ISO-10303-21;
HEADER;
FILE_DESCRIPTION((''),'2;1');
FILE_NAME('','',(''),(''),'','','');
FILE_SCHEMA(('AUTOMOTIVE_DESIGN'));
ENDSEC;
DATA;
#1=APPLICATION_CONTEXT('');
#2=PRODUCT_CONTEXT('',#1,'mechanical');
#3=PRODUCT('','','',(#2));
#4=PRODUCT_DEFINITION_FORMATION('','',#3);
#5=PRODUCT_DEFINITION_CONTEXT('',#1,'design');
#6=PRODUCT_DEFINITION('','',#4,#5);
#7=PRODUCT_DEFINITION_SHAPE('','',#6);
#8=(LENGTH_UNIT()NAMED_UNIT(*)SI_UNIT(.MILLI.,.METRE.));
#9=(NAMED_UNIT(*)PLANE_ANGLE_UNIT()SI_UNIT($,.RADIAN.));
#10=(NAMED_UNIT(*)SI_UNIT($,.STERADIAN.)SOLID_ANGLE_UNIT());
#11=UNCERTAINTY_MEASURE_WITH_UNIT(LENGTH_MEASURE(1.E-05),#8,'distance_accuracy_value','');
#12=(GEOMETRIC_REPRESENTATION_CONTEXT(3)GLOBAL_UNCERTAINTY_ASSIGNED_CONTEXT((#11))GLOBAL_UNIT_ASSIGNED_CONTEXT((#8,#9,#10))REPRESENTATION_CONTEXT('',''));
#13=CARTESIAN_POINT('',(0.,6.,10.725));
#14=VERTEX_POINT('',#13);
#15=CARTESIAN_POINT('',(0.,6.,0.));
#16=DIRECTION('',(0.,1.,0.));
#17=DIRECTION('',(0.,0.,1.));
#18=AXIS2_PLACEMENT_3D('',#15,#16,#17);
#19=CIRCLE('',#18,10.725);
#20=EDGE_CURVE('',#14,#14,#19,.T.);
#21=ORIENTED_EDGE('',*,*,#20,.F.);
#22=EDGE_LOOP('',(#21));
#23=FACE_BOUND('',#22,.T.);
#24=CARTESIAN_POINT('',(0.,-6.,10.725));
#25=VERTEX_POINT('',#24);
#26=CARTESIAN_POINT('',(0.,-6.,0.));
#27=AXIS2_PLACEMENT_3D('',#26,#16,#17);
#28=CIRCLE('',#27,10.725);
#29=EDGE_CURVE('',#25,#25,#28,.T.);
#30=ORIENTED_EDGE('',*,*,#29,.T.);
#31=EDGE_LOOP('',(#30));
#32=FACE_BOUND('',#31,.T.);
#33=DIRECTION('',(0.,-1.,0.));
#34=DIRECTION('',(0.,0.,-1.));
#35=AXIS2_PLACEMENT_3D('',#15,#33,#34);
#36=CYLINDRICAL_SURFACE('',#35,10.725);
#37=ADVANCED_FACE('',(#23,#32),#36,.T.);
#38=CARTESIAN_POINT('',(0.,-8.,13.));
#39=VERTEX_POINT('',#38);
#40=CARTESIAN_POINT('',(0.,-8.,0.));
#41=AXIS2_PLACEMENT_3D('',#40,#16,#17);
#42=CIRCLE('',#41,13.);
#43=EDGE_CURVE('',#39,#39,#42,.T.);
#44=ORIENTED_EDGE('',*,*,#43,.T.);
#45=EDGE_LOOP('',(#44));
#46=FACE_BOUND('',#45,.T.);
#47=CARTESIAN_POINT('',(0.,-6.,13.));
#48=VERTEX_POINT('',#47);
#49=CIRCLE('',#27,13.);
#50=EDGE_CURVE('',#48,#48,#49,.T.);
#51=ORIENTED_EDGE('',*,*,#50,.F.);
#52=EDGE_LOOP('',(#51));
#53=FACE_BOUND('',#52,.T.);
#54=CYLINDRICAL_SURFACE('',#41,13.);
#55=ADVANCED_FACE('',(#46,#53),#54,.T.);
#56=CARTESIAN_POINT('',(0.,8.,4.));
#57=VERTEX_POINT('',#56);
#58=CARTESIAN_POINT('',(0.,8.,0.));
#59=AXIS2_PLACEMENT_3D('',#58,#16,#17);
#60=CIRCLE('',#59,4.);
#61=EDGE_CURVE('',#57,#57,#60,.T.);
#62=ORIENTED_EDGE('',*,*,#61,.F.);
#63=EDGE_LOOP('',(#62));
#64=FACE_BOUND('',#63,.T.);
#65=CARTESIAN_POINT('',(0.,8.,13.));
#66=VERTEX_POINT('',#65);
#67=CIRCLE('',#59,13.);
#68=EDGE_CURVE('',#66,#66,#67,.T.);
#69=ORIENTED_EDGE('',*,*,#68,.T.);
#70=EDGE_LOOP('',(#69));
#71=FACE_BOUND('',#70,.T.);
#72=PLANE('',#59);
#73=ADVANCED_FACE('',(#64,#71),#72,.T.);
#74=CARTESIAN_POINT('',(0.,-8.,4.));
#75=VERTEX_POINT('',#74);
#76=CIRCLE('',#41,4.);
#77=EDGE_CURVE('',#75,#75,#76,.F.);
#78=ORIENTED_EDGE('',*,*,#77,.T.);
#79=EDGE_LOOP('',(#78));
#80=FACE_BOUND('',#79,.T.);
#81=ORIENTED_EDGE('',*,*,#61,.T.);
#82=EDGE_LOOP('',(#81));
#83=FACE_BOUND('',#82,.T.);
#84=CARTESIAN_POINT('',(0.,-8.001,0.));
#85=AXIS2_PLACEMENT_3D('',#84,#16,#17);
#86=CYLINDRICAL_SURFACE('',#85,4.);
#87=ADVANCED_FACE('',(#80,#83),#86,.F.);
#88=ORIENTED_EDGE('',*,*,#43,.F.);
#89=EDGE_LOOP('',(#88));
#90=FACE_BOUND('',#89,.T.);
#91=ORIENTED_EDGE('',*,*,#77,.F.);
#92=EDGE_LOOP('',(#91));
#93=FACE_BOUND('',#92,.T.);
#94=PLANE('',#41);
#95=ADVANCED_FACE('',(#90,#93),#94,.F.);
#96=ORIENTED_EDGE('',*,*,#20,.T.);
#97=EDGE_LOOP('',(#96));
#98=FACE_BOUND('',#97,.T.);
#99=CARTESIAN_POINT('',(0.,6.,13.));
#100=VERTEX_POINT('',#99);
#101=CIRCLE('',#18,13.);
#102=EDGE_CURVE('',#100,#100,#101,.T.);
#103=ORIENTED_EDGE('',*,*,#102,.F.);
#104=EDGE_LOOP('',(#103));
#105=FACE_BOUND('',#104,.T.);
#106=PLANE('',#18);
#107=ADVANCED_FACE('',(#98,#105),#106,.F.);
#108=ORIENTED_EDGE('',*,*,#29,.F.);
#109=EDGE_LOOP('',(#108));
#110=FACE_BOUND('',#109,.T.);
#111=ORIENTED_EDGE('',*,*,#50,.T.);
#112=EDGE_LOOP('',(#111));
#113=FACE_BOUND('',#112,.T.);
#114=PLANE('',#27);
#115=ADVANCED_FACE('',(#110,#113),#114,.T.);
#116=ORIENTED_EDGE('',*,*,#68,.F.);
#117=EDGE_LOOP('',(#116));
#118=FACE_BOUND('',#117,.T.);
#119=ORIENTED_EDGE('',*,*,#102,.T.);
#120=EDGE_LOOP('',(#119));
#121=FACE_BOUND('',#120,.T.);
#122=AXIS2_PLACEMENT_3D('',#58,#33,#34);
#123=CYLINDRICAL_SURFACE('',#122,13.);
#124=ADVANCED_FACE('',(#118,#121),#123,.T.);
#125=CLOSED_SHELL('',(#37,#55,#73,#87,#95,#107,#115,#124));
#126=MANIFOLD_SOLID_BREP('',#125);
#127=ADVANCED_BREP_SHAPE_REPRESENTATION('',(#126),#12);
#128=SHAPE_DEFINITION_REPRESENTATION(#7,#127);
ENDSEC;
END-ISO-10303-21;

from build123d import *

# Parameters (mm, degrees)
SKETCH1_R           = 10.725
BOSS_EXTRUDE1_DEPTH = 6
BOSS_EXTRUDE2_START = 6
SKETCH2_R           = 13
BOSS_EXTRUDE2_DEPTH = 2
BOSS_EXTRUDE3_START = -8
SKETCH2_2_R         = 13
BOSS_EXTRUDE3_DEPTH = 2
CUT_EXTRUDE1_REACH  = 26.372
SKETCH3_R           = 4


with BuildPart() as part:
    # Sketch1 → Boss-Extrude1 (new, symmetric)
    with BuildSketch(Plane(origin=(0, 0, 0), x_dir=(1, 0, 0), z_dir=(0, 1, 0))):
        with Locations(Location((0, 0, 0), (0, 0, 270))):
            Circle(SKETCH1_R)
    extrude(amount=BOSS_EXTRUDE1_DEPTH, both=True)

    # Sketch2 → Boss-Extrude2 (add)
    with BuildSketch(Plane(origin=(0, 0, 0), x_dir=(1, 0, 0), z_dir=(0, 1, 0)).offset(BOSS_EXTRUDE2_START)):
        with Locations(Location((0, 0, 0), (0, 0, 270))):
            Circle(SKETCH2_R)
    extrude(amount=BOSS_EXTRUDE2_DEPTH)

    # Sketch2<2> → Boss-Extrude3 (add)
    with BuildSketch(Plane(origin=(0, 0, 0), x_dir=(1, 0, 0), z_dir=(0, 1, 0)).offset(BOSS_EXTRUDE3_START)):
        with Locations(Location((0, 0, 0), (0, 0, 270))):
            Circle(SKETCH2_2_R)
    extrude(amount=BOSS_EXTRUDE3_DEPTH)

    # Sketch3 → Cut-Extrude1 (cut, up to next)
    with BuildSketch(Plane(origin=(0, 8, 0), x_dir=(1, 0, 0), z_dir=(0, 1, 0)), mode=Mode.PRIVATE) as cut_extrude1_sk1:
        with Locations(Location((0, 0, 0), (0, 0, 270))):
            Circle(SKETCH3_R)
    cut_extrude1_tool1 = extrude(cut_extrude1_sk1.sketch, amount=-CUT_EXTRUDE1_REACH, mode=Mode.PRIVATE) & part.part
    add(cut_extrude1_tool1.solids().sort_by_distance((0, 8, 0))[0], mode=Mode.SUBTRACT)


solid = part.part
